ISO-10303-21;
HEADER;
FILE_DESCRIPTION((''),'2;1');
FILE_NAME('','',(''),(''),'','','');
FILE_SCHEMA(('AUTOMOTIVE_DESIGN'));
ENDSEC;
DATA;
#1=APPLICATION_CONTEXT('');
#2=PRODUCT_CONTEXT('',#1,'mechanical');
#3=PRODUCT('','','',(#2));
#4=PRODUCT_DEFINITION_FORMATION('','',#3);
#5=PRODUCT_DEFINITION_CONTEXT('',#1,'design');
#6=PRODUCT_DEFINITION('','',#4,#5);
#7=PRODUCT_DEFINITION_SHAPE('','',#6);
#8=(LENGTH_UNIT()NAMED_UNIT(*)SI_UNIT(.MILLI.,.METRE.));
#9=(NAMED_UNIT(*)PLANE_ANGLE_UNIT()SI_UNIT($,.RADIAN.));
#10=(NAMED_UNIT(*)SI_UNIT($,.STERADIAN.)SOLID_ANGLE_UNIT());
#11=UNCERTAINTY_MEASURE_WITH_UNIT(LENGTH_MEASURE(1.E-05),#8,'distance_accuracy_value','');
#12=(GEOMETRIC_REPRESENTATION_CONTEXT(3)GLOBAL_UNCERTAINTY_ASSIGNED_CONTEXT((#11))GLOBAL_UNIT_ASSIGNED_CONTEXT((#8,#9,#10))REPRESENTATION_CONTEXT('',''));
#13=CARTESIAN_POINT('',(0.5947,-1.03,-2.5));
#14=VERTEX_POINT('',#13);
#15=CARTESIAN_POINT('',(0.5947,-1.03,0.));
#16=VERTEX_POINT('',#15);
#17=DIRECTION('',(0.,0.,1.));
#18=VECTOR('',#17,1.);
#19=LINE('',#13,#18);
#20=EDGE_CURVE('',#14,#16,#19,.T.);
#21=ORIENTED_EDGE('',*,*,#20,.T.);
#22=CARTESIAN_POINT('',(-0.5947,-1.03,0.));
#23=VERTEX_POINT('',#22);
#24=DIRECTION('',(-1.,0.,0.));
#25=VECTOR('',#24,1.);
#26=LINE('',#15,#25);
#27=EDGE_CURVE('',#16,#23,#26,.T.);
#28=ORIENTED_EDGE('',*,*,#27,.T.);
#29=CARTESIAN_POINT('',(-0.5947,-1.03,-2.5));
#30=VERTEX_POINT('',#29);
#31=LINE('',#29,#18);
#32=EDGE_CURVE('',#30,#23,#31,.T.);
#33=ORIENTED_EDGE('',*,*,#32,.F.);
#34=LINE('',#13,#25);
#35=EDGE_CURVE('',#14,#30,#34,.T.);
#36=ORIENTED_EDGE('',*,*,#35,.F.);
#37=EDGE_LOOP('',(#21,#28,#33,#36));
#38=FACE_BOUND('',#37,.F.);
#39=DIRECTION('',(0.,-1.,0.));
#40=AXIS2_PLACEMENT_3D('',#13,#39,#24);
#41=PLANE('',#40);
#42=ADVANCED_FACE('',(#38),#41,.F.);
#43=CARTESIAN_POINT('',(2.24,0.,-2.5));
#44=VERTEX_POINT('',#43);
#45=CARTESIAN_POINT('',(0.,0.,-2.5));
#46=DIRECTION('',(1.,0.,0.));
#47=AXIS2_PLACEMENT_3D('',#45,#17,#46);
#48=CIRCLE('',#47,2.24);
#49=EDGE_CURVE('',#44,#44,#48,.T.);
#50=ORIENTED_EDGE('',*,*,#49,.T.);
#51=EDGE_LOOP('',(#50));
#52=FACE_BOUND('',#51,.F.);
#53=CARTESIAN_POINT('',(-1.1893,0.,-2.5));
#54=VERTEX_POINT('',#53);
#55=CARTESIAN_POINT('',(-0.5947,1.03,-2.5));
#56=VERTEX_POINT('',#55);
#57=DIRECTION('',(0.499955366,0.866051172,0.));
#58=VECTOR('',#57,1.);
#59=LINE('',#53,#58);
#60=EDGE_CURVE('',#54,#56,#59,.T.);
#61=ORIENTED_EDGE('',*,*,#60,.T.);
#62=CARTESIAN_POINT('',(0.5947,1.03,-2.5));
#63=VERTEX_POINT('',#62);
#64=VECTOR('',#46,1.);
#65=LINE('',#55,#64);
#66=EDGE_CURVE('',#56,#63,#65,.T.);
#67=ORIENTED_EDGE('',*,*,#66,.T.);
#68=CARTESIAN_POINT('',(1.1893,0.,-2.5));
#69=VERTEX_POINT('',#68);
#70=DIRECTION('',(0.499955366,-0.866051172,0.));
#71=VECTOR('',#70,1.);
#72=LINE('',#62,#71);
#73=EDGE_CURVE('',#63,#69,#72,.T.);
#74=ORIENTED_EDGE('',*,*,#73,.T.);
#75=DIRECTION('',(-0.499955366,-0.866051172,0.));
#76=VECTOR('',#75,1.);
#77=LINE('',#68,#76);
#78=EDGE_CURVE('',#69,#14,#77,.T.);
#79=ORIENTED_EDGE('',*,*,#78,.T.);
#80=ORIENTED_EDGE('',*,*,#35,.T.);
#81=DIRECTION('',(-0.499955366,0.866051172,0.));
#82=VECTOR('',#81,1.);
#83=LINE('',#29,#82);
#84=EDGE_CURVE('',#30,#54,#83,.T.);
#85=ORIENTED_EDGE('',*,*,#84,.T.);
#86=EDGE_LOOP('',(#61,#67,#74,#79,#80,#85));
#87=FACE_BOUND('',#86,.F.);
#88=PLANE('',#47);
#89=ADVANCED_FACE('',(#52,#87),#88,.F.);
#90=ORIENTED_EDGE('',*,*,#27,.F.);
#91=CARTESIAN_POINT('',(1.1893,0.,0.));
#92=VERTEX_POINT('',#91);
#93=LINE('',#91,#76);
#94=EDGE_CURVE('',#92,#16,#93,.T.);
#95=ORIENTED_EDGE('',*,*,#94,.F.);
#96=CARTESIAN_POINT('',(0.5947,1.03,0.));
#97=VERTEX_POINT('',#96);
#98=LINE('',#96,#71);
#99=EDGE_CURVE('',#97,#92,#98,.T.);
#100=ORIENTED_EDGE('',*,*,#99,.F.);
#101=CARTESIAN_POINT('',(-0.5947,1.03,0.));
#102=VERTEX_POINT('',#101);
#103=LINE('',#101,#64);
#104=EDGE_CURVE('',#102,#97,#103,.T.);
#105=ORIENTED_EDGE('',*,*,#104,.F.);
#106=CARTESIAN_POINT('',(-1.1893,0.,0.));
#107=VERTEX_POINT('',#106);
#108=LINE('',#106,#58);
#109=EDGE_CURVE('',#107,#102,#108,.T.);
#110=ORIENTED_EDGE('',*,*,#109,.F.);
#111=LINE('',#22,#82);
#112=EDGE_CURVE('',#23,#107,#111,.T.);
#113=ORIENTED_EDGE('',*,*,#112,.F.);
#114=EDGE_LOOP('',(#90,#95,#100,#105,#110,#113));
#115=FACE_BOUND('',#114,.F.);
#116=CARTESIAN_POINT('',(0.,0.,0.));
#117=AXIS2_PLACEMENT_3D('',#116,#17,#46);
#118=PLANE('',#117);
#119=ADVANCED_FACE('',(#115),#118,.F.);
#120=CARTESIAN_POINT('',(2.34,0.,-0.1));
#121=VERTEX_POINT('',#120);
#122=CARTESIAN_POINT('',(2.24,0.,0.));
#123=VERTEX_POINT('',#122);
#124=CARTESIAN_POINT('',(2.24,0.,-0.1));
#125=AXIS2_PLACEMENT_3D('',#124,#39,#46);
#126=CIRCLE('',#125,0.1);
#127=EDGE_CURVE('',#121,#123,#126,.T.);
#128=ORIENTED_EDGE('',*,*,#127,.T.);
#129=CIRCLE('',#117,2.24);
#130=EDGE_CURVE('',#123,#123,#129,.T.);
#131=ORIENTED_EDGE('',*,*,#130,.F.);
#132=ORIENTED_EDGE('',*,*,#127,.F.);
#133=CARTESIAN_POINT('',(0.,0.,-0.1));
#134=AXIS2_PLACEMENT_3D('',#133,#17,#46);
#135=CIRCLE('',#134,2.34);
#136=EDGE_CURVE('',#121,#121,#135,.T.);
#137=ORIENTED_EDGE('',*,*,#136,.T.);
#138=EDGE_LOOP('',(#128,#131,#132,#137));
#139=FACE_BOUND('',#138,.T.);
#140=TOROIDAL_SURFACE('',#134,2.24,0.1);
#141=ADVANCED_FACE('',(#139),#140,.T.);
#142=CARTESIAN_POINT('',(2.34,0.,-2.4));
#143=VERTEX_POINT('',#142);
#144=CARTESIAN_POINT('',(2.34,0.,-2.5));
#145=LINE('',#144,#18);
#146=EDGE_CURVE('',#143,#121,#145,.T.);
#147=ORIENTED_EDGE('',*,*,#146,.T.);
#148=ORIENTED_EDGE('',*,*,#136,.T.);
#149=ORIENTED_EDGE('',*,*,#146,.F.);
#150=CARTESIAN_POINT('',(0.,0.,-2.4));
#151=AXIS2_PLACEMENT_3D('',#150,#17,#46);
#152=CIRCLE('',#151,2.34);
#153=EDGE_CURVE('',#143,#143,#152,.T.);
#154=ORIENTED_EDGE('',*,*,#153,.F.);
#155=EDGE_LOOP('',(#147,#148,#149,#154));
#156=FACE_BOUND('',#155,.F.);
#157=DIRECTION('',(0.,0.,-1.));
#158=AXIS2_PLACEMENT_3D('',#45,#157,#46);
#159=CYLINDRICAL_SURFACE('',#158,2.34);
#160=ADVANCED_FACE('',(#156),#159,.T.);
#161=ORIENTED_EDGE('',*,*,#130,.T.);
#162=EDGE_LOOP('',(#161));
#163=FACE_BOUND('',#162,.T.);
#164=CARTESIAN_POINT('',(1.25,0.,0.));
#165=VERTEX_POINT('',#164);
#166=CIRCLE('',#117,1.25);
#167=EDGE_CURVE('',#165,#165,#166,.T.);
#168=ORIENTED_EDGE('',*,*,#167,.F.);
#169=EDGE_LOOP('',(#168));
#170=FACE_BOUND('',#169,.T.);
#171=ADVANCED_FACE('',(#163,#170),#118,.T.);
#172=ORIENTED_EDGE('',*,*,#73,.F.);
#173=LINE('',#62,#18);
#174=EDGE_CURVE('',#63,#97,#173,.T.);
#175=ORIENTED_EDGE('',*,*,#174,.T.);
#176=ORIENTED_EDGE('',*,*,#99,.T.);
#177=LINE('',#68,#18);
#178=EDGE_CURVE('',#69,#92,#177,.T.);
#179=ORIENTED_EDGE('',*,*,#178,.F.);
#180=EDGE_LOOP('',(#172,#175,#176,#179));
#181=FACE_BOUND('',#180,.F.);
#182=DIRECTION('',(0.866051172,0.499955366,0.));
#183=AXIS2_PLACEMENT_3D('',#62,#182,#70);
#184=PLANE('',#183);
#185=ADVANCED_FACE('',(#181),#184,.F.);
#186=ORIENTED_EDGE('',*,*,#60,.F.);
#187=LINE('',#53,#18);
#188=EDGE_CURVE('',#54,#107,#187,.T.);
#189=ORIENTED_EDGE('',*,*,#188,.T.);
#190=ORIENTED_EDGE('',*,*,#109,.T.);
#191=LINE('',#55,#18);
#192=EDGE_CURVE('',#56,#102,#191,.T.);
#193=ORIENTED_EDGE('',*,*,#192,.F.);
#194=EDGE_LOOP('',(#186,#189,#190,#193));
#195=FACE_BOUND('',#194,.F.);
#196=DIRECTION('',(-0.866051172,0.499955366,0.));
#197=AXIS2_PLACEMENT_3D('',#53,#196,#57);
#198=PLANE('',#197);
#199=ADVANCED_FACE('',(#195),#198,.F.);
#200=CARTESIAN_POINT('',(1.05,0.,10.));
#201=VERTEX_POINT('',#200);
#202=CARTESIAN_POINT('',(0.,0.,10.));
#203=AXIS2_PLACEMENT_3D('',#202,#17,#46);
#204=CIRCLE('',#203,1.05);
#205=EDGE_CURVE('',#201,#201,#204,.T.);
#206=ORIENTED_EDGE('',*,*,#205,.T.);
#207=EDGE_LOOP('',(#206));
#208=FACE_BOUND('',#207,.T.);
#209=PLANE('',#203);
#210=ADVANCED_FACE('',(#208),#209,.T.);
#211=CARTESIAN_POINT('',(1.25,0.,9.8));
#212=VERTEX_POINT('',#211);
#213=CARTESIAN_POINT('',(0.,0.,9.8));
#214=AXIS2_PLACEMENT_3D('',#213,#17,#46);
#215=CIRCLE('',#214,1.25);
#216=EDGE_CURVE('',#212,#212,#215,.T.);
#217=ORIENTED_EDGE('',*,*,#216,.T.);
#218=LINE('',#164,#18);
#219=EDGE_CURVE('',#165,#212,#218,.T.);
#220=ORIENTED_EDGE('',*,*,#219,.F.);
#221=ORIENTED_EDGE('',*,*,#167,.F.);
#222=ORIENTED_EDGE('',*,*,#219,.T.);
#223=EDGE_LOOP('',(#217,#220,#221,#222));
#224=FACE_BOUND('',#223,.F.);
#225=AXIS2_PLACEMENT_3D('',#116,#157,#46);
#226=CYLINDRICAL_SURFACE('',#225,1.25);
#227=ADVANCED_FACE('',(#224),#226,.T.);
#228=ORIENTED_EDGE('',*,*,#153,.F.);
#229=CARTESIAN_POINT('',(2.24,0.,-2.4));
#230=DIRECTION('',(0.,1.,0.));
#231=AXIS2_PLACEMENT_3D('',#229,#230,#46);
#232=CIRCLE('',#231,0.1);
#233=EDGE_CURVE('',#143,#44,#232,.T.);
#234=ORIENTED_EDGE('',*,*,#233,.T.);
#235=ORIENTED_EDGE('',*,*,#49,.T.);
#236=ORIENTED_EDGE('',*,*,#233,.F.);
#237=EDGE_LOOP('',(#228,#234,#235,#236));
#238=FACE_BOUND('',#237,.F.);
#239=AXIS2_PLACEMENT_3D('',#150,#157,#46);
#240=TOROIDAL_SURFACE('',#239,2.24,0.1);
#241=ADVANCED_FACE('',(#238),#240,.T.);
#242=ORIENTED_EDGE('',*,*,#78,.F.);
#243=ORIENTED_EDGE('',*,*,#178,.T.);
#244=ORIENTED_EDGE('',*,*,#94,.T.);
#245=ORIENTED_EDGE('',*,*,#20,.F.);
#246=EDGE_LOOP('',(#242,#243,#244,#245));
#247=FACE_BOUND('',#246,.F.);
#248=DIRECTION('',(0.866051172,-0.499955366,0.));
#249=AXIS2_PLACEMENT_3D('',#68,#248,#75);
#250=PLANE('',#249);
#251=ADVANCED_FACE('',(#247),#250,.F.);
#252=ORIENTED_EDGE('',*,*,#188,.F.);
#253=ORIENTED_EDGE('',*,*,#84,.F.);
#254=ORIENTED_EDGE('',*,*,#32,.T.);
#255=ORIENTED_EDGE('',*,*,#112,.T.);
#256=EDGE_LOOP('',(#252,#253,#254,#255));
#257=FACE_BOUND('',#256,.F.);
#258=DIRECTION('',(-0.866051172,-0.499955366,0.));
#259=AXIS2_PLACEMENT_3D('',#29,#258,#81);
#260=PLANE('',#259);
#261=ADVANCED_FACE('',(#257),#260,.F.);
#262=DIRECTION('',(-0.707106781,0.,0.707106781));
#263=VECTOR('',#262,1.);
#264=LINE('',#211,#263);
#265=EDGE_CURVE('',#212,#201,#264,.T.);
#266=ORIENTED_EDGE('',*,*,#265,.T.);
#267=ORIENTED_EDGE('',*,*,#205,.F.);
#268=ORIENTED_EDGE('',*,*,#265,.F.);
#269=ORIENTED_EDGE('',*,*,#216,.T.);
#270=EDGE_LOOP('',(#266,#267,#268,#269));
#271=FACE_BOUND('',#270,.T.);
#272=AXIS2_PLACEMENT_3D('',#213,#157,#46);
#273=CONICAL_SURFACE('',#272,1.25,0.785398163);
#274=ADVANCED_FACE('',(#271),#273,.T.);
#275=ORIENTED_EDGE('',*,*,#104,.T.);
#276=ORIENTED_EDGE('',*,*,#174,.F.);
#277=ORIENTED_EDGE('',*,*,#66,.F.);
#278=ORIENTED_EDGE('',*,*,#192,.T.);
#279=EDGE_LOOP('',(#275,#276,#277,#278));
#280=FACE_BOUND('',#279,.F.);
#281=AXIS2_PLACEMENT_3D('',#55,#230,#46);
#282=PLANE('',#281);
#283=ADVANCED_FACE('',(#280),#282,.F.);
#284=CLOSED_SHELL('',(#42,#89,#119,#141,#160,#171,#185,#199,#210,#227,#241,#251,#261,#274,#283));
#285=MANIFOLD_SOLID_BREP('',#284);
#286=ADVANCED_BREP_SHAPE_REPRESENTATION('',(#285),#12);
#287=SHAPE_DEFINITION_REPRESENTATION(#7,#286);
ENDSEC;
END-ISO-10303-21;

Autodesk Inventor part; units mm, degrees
ref_plane "YZ Plane" through (0, 0, 0) normal (1, 0, 0) x (0, 1, 0)
ref_plane "XZ Plane" through (0, 0, 0) normal (0, 1, 0) x (-1, 0, 0)
ref_plane "Work Plane1" through (0, 0, -2.5) normal (0, 0, 1) x (1, 0, 0)
sketch "Sketch1" plane through (0, 0, -2.5) normal (0, 0, 1) x (1, 0, 0)
  circle A0 centre (0, 0) radius 2.34
extrude "Extrusion3" add sketch "Sketch1" along normal blind 2.5
sketch "Sketch2" plane through (0, 0, 0) normal (0, 0, 1) x (1, 0, 0)
  circle A0 centre (0, 0) radius 1.25
extrude "Extrusion2" add sketch "Sketch2" along normal blind 10
sketch "Sketch3" plane through (0, 0, -2.5) normal (0, 0, 1) x (1, 0, 0)
  line L0 (0.5947, -1.03) -> (-0.5947, -1.03)
  line L1 (0.5947, 1.03) -> (1.1893, 0)
  line L2 (-0.5947, -1.03) -> (-1.1893, 0)
  line L3 (-1.1893, 0) -> (-0.5947, 1.03)
  line L4 (1.1893, 0) -> (0.5947, -1.03)
  line L5 (-0.5947, 1.03) -> (0.5947, 1.03)
extrude "Extrusion1" cut sketch "Sketch3" along normal blind 2.5
fillet "Fillet1" radius 0.1 2 edges at (-2.34, 0, 0) (-2.34, 0, -2.5)
chamfer "Chamfer1" distance 0.2 angle 45 1 edges at (-1.25, 0, 10)
properties part number "M2.5 x 10mm SHCS"
